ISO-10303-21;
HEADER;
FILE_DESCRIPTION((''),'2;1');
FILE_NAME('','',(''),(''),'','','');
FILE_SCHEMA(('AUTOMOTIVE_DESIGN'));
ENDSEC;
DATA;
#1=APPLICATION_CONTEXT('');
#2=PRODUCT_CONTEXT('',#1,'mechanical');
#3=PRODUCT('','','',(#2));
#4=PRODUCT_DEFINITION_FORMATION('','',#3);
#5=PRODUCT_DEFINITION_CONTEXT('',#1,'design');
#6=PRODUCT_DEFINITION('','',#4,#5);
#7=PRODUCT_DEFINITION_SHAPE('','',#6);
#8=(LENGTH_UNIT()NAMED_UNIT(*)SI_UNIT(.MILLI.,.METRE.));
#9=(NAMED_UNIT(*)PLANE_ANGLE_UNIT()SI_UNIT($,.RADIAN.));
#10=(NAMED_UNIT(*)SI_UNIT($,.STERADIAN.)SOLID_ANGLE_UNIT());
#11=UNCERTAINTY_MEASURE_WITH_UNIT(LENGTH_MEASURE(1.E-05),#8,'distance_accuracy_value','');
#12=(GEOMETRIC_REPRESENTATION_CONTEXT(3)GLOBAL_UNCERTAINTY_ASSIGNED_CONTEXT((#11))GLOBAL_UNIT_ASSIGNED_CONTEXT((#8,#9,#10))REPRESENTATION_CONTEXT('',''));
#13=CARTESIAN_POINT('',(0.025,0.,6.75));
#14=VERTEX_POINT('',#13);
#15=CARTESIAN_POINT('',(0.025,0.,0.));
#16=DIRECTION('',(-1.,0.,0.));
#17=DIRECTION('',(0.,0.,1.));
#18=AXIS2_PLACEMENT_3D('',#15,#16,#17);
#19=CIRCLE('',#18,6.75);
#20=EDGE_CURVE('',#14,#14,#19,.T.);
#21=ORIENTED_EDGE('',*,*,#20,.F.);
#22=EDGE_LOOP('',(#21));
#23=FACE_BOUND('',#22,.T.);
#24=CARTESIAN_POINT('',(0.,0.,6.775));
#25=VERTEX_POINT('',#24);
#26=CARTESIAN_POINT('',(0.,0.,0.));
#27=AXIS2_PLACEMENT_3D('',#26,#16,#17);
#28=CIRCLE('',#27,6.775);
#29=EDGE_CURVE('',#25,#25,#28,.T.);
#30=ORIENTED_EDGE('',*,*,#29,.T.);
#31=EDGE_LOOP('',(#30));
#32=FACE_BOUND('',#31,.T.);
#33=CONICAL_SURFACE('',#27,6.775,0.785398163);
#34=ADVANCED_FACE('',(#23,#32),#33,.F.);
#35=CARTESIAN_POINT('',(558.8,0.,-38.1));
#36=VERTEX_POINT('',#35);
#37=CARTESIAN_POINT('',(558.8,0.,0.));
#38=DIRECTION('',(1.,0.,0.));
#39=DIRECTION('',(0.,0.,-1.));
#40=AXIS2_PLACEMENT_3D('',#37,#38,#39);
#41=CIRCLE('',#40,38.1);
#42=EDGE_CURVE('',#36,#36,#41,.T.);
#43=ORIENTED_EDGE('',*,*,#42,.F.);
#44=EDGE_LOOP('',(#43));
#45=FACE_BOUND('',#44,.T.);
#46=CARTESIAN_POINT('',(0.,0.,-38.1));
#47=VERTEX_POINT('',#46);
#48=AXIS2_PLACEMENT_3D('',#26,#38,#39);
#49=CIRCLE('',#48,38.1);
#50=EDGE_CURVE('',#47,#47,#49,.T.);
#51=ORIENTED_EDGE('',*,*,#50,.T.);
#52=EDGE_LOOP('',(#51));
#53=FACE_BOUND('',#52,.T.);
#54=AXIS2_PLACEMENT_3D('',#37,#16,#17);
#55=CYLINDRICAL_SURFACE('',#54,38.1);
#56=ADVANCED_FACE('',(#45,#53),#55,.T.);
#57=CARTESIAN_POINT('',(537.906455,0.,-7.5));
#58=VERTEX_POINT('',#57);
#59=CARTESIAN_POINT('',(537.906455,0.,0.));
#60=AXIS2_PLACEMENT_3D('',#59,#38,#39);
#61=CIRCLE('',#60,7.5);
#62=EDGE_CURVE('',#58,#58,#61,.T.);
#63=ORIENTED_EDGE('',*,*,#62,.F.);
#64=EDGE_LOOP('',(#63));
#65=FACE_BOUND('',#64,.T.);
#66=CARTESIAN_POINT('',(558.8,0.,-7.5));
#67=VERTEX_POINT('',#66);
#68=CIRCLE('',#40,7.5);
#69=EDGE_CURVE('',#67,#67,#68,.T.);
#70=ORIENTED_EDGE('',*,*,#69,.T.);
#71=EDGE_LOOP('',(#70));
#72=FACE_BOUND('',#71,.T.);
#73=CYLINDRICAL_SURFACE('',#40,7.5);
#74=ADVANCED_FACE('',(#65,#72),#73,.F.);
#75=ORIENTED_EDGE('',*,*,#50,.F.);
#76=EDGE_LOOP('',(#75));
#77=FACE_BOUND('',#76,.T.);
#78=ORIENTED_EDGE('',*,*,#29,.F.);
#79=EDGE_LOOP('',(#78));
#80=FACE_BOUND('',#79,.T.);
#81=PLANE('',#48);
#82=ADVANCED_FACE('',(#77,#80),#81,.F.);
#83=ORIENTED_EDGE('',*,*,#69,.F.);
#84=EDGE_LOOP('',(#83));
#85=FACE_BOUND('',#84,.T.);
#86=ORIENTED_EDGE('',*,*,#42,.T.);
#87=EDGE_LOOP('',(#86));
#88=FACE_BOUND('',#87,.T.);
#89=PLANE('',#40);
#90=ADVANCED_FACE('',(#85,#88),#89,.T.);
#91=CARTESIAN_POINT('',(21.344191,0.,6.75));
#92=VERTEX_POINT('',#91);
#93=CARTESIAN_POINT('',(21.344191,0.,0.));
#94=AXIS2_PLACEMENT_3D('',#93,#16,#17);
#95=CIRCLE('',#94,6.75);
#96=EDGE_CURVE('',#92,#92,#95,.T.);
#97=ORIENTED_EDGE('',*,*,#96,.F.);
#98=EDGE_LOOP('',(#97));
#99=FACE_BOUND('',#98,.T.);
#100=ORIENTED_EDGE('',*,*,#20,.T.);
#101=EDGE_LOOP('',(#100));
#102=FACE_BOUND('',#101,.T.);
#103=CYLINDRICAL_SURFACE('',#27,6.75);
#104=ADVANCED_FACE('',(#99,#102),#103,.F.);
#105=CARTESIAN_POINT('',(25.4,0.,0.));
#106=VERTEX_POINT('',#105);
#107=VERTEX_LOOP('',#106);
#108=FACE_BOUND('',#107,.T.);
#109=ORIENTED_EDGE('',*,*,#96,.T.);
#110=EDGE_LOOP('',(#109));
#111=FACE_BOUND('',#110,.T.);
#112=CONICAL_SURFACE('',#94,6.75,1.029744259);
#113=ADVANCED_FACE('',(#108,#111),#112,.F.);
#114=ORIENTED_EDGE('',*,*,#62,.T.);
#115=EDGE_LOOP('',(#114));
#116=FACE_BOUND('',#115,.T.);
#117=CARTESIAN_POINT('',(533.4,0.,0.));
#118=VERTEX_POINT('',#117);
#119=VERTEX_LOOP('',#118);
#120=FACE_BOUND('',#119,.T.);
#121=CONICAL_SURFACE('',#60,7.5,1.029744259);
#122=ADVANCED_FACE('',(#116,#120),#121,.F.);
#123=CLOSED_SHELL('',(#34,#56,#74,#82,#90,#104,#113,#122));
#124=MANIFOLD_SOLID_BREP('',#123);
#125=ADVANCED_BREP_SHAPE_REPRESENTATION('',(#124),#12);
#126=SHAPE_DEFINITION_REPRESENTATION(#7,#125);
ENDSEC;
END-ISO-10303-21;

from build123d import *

# Parameters (mm, degrees)
SKETCH1_R                       = 38.1
BOSS_EXTRUDE1_DEPTH             = 558.8
M12_CLEARANCE_HOLE1_D           = 13.5
M12_CLEARANCE_HOLE1_DEPTH       = 21.344190822
M12_CLEARANCE_HOLE1_CSINK_D     = 13.55
M12_CLEARANCE_HOLE1_CSINK_ANGLE = 90
M12_CLEARANCE_HOLE1_TIP         = 4.055809178
M12_CLEARANCE_HOLE2_D           = 15
M12_CLEARANCE_HOLE2_DEPTH       = 20.893545357
M12_CLEARANCE_HOLE2_TIP         = 4.506454643


with BuildPart() as part:
    # Sketch1 → Boss-Extrude1 (new body)
    with BuildSketch(Plane(origin=(0, 0, 0), x_dir=(0, 0, -1), z_dir=(1, 0, 0))):
        Circle(SKETCH1_R)
    extrude(amount=BOSS_EXTRUDE1_DEPTH)

    # M12 Clearance Hole1
    with Locations(Plane.ZY):
        with Locations((0, 0)):
            CounterSinkHole(M12_CLEARANCE_HOLE1_D / 2, M12_CLEARANCE_HOLE1_CSINK_D / 2, depth=M12_CLEARANCE_HOLE1_DEPTH, counter_sink_angle=M12_CLEARANCE_HOLE1_CSINK_ANGLE)
            with Locations((0, 0, -(M12_CLEARANCE_HOLE1_DEPTH + M12_CLEARANCE_HOLE1_TIP / 2))):  # 118° drill point
                Cone(0, M12_CLEARANCE_HOLE1_D / 2, M12_CLEARANCE_HOLE1_TIP, mode=Mode.SUBTRACT)

    # M12 Clearance Hole2
    with Locations(Plane(origin=(558.8, 0, 0), x_dir=(0, 0, -1), z_dir=(1, 0, 0))):
        with Locations((0, 0)):
            Hole(M12_CLEARANCE_HOLE2_D / 2, depth=M12_CLEARANCE_HOLE2_DEPTH)
            with Locations((0, 0, -(M12_CLEARANCE_HOLE2_DEPTH + M12_CLEARANCE_HOLE2_TIP / 2))):  # 118° drill point
                Cone(0, M12_CLEARANCE_HOLE2_D / 2, M12_CLEARANCE_HOLE2_TIP, mode=Mode.SUBTRACT)


solid = part.part
